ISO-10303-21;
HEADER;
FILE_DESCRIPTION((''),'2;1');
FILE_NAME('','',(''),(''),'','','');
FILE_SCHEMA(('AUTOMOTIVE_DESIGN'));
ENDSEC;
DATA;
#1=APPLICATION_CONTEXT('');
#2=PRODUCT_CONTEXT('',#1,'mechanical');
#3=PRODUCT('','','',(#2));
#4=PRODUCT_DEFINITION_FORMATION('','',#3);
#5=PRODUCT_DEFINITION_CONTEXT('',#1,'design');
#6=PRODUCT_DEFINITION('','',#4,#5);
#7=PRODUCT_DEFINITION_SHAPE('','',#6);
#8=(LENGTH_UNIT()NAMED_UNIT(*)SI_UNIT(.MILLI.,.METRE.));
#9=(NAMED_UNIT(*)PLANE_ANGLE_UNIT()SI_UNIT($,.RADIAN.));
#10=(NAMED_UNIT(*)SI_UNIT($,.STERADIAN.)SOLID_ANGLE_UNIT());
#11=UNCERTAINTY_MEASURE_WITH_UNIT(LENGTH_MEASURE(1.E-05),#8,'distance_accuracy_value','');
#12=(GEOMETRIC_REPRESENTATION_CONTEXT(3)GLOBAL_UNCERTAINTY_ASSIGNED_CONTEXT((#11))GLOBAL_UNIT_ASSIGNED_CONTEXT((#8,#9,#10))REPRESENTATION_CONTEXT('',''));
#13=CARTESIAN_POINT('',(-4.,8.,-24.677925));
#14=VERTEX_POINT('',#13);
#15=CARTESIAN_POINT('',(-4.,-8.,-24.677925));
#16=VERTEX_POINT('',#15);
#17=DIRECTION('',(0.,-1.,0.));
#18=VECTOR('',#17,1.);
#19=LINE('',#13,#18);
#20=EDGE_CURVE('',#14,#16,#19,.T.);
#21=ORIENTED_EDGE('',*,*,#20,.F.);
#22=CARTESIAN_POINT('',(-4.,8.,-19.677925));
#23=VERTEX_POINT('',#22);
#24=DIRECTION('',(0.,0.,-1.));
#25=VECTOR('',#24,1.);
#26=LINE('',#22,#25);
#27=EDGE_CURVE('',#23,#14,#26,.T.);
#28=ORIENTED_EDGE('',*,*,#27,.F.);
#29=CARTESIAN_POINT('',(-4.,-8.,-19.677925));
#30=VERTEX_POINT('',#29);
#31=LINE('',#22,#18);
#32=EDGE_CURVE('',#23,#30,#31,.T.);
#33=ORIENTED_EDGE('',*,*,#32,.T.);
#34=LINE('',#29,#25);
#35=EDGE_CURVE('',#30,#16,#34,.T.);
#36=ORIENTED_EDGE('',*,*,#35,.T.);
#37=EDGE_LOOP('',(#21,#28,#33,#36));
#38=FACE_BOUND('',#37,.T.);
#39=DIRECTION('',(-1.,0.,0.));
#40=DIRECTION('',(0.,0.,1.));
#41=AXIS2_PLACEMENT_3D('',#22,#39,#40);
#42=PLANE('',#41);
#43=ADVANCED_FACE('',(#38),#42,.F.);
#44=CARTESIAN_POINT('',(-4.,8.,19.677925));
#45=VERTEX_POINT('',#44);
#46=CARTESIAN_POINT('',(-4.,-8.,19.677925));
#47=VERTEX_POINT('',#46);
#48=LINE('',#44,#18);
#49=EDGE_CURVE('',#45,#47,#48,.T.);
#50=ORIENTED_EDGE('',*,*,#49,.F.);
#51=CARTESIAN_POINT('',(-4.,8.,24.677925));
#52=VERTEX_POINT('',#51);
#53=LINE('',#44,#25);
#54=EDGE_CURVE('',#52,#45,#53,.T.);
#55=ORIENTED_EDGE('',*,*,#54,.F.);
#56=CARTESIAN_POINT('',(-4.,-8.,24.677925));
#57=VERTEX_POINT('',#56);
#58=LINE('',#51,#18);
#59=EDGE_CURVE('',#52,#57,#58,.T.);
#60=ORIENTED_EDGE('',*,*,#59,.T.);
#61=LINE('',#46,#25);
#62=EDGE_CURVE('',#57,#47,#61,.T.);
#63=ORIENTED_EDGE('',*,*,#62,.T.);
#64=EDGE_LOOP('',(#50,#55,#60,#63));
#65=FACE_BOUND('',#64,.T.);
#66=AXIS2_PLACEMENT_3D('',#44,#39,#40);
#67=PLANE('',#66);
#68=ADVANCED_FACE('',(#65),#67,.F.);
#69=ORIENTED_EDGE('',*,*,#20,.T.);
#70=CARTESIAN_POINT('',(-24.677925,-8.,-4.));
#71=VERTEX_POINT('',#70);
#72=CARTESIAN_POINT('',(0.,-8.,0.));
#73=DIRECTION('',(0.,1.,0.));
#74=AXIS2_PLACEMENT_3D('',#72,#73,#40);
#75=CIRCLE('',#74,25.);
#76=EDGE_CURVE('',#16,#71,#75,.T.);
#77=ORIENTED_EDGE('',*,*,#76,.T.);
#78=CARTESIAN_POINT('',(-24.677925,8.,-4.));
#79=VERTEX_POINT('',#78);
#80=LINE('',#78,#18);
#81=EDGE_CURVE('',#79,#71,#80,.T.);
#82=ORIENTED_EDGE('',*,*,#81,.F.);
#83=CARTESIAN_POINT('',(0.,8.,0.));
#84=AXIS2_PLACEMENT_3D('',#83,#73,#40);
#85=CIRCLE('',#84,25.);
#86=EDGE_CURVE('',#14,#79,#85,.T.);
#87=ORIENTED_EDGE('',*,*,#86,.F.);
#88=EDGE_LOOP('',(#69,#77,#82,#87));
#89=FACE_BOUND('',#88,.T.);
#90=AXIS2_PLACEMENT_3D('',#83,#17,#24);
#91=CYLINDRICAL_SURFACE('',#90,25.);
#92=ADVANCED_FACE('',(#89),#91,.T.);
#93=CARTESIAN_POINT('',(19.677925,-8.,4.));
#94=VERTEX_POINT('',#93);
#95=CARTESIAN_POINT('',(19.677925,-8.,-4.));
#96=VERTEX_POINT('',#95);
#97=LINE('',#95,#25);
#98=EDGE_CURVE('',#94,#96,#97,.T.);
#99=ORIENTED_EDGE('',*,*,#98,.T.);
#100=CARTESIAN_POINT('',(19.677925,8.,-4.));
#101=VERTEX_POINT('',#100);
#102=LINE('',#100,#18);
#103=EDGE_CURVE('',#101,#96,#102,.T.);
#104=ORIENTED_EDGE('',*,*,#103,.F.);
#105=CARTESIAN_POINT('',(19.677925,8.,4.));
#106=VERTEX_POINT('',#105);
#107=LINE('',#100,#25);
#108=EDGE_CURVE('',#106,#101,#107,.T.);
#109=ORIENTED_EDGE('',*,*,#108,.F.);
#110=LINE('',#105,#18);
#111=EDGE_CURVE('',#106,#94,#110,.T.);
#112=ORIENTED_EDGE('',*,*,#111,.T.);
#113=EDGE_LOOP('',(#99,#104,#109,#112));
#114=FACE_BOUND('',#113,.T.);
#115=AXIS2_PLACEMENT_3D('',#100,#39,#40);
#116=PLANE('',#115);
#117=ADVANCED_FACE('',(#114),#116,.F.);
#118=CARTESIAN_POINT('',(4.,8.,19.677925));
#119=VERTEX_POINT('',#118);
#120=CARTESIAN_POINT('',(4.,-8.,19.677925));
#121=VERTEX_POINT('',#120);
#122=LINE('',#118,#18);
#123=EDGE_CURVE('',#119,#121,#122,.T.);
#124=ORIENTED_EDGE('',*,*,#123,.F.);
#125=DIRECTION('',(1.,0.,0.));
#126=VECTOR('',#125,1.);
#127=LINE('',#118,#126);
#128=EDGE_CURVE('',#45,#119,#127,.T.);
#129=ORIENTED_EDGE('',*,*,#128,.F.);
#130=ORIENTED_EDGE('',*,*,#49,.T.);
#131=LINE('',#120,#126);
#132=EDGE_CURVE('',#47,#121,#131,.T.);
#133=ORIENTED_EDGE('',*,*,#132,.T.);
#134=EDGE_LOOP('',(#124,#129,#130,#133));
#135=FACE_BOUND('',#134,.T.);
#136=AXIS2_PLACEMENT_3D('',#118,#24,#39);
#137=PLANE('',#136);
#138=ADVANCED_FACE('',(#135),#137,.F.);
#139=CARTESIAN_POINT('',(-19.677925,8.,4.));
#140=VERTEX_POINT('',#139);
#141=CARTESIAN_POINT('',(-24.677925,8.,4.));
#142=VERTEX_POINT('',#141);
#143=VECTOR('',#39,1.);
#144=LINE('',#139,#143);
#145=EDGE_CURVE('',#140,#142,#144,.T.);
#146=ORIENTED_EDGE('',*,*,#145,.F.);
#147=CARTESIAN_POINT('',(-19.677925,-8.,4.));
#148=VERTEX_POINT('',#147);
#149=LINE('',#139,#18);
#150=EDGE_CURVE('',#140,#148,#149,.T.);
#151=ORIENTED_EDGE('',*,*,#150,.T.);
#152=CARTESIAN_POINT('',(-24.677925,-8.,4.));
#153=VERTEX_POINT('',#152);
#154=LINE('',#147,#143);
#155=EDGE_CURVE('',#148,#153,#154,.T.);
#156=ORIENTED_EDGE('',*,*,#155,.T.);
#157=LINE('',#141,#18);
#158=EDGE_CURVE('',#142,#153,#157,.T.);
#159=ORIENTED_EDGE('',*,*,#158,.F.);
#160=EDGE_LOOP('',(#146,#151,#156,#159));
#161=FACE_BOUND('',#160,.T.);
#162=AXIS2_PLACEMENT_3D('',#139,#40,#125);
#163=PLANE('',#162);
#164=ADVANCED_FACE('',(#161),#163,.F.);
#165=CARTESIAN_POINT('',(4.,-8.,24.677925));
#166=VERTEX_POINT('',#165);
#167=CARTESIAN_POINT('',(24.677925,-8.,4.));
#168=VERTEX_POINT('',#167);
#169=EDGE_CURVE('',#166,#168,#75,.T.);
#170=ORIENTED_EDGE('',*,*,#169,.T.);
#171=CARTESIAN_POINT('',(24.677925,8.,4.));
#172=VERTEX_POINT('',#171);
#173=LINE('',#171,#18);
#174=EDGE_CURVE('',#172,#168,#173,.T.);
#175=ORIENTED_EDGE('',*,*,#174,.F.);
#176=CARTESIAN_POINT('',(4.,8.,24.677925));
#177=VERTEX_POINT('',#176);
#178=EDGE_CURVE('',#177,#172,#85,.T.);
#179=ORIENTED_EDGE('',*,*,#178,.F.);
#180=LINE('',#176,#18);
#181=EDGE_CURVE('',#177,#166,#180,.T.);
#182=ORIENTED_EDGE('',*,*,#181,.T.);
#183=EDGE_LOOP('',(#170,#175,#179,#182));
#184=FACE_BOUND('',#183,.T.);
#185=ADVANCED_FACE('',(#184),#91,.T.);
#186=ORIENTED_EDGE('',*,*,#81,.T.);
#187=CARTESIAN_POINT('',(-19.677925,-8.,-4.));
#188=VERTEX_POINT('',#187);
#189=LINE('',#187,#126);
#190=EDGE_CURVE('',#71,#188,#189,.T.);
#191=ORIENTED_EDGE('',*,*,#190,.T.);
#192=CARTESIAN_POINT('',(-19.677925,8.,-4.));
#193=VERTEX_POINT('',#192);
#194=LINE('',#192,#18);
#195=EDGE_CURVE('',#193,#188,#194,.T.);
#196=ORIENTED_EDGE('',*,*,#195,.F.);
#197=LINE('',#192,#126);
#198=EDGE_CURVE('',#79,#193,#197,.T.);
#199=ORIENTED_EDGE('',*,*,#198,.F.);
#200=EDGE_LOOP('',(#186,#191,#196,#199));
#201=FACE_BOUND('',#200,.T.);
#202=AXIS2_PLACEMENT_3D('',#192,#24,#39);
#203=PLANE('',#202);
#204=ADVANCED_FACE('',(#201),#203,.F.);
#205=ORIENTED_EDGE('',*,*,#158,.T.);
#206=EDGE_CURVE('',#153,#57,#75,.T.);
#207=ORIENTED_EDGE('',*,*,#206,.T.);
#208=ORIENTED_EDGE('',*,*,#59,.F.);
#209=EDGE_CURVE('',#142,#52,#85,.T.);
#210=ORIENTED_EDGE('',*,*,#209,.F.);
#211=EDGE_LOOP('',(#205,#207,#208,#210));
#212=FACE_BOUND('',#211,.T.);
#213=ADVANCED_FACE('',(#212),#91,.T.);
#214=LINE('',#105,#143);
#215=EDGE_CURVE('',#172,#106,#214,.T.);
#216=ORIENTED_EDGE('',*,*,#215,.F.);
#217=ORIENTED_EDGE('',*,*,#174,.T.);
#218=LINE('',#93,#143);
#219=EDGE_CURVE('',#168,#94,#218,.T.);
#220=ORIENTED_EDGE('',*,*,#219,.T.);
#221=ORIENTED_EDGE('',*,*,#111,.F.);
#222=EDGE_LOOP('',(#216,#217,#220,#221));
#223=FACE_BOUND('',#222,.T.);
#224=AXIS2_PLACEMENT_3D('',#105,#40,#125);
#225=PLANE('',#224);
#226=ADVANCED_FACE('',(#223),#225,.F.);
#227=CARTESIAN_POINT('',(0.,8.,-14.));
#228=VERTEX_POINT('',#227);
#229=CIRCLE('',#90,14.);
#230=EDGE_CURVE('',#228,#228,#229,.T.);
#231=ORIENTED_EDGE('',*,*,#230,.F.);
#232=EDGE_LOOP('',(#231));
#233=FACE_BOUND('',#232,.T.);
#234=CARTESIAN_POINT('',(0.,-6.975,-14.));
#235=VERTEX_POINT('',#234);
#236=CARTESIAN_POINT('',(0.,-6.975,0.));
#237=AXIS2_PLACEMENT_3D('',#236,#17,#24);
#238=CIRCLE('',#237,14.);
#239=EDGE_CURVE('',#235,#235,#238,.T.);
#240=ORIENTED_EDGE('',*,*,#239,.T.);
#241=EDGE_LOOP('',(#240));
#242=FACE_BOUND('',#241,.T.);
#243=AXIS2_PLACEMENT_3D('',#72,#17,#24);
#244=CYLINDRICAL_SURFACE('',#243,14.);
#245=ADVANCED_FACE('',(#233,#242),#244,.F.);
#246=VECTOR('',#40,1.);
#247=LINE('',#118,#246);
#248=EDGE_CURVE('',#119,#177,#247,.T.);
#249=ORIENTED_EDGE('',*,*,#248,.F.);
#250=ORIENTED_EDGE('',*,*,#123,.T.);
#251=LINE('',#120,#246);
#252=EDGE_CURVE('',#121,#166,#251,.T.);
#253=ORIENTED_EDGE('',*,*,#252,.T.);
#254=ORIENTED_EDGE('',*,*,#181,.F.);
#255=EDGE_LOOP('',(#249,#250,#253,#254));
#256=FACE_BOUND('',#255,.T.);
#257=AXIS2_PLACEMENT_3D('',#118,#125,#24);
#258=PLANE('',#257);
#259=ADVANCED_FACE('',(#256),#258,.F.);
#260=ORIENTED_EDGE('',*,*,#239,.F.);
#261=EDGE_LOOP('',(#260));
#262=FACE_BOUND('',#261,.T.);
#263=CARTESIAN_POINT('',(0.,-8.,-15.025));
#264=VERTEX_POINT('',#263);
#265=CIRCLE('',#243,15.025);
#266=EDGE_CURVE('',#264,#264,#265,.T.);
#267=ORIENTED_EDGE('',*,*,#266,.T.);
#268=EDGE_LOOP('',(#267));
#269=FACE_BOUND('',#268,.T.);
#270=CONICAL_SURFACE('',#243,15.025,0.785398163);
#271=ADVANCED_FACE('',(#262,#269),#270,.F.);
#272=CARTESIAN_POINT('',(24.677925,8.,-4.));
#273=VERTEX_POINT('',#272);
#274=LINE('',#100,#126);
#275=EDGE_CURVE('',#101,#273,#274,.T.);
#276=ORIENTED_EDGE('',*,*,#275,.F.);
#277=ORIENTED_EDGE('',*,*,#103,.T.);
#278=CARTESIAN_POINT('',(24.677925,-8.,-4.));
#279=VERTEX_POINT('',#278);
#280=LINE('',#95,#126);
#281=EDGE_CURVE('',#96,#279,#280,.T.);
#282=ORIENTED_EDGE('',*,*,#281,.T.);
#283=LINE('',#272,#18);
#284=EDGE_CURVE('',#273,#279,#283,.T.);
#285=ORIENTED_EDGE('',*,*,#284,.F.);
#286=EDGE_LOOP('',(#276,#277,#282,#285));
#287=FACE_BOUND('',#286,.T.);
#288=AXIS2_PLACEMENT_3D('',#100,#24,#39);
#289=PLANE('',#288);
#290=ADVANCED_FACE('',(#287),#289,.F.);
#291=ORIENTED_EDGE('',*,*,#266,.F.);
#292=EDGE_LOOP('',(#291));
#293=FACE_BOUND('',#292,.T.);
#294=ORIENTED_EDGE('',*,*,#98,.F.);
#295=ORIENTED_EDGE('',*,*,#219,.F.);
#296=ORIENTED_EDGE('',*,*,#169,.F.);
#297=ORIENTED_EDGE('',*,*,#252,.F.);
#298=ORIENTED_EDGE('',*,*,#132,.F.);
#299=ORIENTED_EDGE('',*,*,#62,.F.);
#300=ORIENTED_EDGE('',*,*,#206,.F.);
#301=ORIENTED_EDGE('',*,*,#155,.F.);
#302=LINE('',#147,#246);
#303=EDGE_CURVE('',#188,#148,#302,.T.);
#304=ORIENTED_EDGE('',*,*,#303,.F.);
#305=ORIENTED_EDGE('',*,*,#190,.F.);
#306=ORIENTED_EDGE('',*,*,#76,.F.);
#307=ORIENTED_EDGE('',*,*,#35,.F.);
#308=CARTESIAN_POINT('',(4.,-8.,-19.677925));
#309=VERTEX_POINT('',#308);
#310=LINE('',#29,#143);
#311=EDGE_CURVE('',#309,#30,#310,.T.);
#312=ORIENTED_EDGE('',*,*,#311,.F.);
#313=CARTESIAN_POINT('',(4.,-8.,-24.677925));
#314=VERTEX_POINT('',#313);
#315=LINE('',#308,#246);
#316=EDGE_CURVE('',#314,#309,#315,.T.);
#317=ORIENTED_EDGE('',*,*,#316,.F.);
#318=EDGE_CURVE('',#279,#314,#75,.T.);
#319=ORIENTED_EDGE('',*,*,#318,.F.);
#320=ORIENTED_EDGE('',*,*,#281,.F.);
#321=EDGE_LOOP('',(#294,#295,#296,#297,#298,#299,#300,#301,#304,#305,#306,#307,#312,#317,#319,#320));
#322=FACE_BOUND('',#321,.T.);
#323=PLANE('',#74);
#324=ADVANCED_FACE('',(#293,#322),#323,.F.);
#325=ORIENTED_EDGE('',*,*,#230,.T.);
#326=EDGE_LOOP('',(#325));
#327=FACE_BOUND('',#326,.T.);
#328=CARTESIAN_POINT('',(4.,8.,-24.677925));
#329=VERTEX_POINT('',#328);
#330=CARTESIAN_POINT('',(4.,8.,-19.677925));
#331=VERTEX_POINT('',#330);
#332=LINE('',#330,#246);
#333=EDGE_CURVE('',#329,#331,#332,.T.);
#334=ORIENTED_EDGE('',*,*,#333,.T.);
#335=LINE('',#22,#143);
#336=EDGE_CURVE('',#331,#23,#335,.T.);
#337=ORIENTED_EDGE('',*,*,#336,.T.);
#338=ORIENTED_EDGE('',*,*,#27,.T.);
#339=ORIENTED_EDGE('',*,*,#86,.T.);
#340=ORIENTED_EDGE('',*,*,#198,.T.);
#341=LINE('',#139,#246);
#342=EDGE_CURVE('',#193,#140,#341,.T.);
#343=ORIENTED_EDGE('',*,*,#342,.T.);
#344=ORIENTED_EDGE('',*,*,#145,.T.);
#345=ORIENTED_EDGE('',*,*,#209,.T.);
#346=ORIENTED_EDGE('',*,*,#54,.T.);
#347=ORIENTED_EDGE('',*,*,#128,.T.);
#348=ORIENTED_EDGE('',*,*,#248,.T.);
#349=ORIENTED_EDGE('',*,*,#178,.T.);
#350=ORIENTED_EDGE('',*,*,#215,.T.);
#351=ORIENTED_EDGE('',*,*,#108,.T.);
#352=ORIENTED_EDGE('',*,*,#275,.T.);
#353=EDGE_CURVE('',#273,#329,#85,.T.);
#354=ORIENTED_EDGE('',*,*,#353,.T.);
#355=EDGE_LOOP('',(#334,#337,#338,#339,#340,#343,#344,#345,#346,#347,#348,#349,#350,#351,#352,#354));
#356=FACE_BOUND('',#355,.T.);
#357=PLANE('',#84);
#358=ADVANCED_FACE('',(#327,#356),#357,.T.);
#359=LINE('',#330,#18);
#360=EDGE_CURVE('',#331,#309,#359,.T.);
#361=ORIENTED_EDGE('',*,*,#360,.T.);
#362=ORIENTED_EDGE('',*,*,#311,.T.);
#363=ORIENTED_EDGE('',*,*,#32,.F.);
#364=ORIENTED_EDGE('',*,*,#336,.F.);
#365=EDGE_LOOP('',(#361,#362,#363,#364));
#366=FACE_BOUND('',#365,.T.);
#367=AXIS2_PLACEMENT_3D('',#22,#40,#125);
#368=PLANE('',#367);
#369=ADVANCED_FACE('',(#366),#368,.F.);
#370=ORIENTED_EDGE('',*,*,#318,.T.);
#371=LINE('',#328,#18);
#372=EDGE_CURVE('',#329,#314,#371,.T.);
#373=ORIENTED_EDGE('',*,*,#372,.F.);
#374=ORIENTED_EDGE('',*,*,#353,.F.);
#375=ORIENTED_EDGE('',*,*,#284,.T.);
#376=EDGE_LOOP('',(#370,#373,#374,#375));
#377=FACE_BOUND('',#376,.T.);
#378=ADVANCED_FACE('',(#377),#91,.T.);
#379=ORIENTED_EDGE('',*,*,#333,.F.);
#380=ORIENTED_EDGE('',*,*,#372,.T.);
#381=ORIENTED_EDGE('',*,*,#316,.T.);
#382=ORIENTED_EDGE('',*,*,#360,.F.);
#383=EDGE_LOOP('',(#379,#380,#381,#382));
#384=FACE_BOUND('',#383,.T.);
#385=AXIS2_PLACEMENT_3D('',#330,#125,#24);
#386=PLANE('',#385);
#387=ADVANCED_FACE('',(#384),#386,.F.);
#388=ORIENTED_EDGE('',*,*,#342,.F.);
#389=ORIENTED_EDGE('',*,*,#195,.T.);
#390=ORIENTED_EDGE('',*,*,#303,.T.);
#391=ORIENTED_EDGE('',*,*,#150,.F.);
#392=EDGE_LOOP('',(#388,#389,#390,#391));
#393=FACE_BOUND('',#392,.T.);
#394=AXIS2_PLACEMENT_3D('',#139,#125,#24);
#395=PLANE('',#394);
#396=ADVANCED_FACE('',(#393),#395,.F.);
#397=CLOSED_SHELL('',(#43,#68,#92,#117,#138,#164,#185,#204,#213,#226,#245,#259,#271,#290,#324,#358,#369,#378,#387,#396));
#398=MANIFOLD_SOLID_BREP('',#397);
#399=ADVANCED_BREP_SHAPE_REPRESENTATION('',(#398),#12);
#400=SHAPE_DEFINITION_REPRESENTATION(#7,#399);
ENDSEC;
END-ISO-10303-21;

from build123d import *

# Parameters (mm, degrees)
BOSS_EXTRUDE1_DEPTH              = 8
M30X2_0_TAPPED_HOLE1_D           = 28
M30X2_0_TAPPED_HOLE1_DEPTH       = 16
M30X2_0_TAPPED_HOLE1_CSINK_D     = 30.05
M30X2_0_TAPPED_HOLE1_CSINK_ANGLE = 90
M30X2_0_TAPPED_HOLE1_TIP         = 8.412048666


with BuildPart() as part:
    # Sketch1 → Boss-Extrude1 (new, symmetric)
    with BuildSketch(Plane(origin=(0, 0, 0), x_dir=(1, 0, 0), z_dir=(0, 1, 0))):
        with BuildLine():
            Line((-4, -19.677925359), (-4, -24.677925359))
            ThreePointArc((-4, -24.677925359), (-17.67766953, -17.67766953), (-24.677925359, -4))
            Line((-24.677925359, -4), (-19.677925359, -4))
            Line((-19.677925359, -4), (-19.677925359, 4))
            Line((-19.677925359, 4), (-24.677925359, 4))
            ThreePointArc((-24.677925359, 4), (-17.67766953, 17.67766953), (-4, 24.677925359))
            Line((-4, 24.677925359), (-4, 19.677925359))
            Line((-4, 19.677925359), (4, 19.677925359))
            Line((4, 19.677925359), (4, 24.677925359))
            ThreePointArc((4, 24.677925359), (17.67766953, 17.67766953), (24.677925359, 4))
            Line((24.677925359, 4), (19.677925359, 4))
            Line((19.677925359, 4), (19.677925359, -4))
            Line((19.677925359, -4), (24.677925359, -4))
            ThreePointArc((24.677925359, -4), (17.67766953, -17.67766953), (4, -24.677925359))
            Line((4, -24.677925359), (4, -19.677925359))
            Line((4, -19.677925359), (-4, -19.677925359))
        make_face()
    extrude(amount=BOSS_EXTRUDE1_DEPTH, both=True)

    # M30x2.0 Tapped Hole1
    with Locations(Plane(origin=(0, -8, 0), x_dir=(-1, 0, 0), z_dir=(0, -1, 0))):
        with Locations((0, 0)):
            CounterSinkHole(M30X2_0_TAPPED_HOLE1_D / 2, M30X2_0_TAPPED_HOLE1_CSINK_D / 2, depth=M30X2_0_TAPPED_HOLE1_DEPTH, counter_sink_angle=M30X2_0_TAPPED_HOLE1_CSINK_ANGLE)
            with Locations((0, 0, -(M30X2_0_TAPPED_HOLE1_DEPTH + M30X2_0_TAPPED_HOLE1_TIP / 2))):  # 118° drill point
                Cone(0, M30X2_0_TAPPED_HOLE1_D / 2, M30X2_0_TAPPED_HOLE1_TIP, mode=Mode.SUBTRACT)


solid = part.part
